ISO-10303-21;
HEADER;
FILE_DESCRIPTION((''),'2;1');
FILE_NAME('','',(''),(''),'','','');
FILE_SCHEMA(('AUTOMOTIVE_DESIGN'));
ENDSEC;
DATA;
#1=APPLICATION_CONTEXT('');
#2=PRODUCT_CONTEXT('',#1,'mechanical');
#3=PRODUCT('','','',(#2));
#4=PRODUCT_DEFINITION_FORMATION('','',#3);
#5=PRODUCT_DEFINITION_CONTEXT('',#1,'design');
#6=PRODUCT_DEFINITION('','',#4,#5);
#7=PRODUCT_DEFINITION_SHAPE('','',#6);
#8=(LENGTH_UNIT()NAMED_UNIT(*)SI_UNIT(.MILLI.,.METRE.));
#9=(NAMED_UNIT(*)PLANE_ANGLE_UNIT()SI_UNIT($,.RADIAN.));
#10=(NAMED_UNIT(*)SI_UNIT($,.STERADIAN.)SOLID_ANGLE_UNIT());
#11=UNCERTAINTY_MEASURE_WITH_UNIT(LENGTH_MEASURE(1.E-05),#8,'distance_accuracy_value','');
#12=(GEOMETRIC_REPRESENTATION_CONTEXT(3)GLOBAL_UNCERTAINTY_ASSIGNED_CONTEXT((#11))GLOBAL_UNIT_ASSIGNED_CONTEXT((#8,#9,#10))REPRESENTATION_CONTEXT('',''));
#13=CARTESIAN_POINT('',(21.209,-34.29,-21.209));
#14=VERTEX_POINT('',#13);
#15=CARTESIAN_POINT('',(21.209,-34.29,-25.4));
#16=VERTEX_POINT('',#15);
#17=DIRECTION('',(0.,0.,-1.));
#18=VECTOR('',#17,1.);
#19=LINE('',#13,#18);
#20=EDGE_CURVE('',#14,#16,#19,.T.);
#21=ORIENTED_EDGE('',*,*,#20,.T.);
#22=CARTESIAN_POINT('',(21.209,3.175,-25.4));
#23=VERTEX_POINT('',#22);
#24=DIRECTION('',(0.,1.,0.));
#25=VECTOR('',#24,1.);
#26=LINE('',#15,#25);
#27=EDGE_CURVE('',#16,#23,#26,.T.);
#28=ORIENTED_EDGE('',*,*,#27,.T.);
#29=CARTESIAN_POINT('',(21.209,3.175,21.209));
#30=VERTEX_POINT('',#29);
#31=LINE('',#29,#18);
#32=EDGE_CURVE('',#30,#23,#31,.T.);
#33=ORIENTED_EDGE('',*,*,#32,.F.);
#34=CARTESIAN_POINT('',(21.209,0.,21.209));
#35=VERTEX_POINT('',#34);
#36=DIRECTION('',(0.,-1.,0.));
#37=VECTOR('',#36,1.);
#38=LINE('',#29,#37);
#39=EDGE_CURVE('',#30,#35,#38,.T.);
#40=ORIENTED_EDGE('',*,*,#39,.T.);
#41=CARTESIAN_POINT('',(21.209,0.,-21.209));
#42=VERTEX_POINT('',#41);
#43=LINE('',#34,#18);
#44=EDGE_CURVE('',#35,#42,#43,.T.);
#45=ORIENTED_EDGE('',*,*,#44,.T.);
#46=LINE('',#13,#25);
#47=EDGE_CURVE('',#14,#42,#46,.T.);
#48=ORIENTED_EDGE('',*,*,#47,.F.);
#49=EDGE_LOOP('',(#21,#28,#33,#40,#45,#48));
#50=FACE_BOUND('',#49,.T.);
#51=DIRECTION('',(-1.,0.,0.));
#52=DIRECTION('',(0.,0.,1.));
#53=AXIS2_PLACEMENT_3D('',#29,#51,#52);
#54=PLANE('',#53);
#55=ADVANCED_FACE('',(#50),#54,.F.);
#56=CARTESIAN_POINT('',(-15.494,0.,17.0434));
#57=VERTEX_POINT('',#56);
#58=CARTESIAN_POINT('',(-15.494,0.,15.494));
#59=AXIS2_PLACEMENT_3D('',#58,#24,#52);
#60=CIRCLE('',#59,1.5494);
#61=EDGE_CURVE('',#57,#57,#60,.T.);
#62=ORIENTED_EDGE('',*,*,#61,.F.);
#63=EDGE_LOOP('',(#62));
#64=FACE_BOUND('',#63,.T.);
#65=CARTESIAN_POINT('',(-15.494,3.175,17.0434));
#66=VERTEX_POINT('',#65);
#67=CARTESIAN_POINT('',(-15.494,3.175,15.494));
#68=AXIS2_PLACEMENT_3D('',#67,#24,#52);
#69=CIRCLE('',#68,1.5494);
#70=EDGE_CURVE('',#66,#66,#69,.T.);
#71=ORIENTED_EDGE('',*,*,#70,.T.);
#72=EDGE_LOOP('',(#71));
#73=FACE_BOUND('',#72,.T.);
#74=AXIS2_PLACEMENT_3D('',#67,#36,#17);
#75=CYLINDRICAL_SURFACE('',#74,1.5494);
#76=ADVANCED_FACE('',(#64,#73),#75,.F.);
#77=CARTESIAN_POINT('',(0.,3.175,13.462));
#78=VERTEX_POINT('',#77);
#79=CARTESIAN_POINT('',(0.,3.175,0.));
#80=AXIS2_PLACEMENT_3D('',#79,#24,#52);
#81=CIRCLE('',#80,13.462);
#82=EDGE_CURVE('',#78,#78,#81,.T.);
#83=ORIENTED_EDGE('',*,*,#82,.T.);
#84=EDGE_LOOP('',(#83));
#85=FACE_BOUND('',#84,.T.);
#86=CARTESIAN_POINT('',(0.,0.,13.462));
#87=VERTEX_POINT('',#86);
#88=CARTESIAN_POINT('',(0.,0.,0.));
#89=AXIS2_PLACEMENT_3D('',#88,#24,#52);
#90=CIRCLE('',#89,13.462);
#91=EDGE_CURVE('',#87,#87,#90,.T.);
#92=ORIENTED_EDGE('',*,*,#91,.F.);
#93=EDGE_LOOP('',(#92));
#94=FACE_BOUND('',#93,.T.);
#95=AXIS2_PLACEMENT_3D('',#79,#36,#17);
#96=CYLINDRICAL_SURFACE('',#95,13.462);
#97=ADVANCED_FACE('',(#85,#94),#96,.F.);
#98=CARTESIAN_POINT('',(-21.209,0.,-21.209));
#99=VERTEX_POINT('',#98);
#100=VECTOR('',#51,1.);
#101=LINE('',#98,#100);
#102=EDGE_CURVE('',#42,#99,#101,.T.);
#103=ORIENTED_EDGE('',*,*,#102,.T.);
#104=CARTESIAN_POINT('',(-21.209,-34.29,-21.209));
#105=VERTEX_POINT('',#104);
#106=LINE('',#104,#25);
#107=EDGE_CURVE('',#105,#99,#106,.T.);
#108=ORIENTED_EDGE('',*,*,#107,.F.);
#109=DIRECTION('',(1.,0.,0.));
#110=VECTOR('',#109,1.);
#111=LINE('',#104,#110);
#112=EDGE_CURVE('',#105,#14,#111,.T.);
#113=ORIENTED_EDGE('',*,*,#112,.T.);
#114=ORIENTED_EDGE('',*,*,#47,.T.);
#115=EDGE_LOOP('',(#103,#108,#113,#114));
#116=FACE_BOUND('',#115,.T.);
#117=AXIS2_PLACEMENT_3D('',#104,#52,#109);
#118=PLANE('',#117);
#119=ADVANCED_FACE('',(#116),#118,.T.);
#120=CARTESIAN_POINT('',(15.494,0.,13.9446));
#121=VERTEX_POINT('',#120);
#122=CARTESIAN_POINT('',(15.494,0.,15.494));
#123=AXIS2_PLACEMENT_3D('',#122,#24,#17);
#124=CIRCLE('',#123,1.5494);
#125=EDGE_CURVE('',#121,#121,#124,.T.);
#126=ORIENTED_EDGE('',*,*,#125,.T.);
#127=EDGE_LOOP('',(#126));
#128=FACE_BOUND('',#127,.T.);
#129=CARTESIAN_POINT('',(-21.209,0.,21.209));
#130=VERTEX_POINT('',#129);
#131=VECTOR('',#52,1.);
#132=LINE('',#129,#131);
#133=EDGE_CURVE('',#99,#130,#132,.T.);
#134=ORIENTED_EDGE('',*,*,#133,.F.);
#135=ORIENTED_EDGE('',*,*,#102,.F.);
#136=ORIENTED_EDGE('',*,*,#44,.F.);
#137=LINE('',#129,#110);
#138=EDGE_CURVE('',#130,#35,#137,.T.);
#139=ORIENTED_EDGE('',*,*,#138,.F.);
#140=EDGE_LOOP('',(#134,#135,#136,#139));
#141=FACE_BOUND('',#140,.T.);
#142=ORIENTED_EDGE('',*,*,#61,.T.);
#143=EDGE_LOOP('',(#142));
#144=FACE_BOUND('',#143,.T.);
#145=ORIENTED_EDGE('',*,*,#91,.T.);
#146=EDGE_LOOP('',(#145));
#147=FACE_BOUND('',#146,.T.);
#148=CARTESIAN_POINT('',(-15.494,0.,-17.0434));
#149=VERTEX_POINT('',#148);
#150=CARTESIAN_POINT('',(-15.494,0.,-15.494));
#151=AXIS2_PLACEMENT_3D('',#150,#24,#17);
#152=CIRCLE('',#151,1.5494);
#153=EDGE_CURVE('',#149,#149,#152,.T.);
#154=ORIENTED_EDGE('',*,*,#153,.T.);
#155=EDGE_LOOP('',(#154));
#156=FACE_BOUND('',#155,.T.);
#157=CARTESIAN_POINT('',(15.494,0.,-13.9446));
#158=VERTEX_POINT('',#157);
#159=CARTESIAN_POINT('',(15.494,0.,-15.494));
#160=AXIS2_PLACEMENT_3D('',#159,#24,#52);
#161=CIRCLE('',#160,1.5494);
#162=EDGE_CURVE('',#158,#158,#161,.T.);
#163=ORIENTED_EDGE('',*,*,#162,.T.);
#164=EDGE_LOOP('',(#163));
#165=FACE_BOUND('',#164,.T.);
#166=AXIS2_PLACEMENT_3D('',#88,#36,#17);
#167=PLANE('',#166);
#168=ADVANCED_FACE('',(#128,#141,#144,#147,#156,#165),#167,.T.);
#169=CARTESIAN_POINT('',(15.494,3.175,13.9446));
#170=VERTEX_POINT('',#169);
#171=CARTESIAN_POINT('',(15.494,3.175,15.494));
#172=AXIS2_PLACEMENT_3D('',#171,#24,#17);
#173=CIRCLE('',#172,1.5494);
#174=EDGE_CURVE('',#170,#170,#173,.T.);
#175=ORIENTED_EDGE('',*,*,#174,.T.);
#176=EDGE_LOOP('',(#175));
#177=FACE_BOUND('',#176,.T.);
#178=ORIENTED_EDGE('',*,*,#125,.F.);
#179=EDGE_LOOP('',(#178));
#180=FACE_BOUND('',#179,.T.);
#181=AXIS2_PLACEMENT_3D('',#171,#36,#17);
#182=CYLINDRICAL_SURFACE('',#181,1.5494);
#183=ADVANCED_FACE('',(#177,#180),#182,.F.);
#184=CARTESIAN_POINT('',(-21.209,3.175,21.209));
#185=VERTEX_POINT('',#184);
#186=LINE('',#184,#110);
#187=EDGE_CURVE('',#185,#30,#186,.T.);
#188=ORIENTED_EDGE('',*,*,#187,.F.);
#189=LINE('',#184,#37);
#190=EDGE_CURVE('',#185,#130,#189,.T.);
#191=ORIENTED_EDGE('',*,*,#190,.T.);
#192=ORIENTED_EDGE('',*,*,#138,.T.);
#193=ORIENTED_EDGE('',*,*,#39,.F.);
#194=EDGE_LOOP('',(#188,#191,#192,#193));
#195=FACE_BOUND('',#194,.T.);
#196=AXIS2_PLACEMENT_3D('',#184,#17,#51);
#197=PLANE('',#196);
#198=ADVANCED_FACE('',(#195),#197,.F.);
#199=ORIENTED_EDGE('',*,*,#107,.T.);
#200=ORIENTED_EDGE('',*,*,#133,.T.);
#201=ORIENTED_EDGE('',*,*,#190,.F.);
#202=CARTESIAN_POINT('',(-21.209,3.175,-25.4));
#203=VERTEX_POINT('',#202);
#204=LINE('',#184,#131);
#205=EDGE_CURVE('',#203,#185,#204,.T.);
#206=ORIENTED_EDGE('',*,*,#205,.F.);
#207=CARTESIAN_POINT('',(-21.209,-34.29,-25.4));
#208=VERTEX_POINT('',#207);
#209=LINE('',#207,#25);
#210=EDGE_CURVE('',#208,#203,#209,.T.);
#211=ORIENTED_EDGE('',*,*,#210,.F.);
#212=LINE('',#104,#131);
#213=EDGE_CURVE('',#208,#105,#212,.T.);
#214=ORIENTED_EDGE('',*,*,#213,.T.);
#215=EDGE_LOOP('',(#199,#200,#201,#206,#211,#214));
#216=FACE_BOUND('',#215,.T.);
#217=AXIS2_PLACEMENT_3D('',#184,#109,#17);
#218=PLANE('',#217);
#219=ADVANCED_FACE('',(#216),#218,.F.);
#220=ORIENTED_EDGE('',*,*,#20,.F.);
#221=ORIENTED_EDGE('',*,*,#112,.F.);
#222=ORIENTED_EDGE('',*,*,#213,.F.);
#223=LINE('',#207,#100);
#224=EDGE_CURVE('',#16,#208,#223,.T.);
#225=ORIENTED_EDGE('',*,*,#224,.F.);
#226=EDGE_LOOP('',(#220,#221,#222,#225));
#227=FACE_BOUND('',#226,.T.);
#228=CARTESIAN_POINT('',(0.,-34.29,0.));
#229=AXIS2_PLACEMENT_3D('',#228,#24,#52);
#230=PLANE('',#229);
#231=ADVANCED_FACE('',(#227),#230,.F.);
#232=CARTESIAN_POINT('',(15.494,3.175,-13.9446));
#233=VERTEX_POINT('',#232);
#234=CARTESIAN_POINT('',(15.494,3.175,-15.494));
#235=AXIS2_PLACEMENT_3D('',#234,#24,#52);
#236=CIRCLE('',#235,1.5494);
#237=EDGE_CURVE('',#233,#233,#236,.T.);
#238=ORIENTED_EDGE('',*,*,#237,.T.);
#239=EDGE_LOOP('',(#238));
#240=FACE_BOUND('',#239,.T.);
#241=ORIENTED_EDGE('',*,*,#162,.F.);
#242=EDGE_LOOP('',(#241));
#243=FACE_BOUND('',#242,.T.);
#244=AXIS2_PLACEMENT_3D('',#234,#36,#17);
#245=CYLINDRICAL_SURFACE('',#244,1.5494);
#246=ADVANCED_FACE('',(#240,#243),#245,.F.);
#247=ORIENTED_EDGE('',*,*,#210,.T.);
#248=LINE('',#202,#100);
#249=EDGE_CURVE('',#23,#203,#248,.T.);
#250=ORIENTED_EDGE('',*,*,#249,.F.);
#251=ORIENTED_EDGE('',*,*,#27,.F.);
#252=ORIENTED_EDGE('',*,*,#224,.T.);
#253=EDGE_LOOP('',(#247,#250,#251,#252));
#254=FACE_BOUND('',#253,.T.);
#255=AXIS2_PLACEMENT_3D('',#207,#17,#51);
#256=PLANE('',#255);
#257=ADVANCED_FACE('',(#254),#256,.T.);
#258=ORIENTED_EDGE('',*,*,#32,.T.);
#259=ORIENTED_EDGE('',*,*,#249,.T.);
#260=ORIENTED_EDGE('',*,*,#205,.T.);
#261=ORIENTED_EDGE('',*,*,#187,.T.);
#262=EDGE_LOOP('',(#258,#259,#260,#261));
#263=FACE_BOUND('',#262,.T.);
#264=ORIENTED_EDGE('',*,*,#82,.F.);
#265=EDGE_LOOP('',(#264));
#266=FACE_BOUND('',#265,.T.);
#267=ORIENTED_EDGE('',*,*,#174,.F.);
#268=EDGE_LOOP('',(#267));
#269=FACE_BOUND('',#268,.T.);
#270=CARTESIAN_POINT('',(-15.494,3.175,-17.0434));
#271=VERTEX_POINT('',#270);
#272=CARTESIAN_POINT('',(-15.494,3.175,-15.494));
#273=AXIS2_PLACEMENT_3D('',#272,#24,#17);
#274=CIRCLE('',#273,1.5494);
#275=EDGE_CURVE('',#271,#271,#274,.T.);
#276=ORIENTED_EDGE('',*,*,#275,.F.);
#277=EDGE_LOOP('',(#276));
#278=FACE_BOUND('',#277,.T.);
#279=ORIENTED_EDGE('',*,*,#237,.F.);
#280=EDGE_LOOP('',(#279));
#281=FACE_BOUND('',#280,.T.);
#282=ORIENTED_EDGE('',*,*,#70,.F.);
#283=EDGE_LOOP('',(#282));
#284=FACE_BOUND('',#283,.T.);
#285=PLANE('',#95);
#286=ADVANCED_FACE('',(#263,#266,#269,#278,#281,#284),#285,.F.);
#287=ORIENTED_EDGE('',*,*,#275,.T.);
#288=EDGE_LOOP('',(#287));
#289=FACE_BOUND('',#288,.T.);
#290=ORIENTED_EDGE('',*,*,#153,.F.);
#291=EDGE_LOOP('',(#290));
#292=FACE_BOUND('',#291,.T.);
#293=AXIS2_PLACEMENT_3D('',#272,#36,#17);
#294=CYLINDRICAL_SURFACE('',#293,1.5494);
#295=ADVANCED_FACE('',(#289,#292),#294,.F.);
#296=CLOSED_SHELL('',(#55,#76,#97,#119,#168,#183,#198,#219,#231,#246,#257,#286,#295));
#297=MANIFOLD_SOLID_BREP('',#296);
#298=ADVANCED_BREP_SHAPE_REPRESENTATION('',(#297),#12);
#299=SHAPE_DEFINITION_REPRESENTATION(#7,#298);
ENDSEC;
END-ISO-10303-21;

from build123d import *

# Parameters (mm, degrees)
SKETCH1_W           = 42.418
SKETCH1_H           = 42.418
SKETCH1_R           = 1.5494
SKETCH1_R_2         = 13.462
BOSS_EXTRUDE1_DEPTH = 3.175
SKETCH3_W           = 42.418
SKETCH3_H           = 4.191
BOSS_EXTRUDE2_DEPTH = 37.465


with BuildPart() as part:
    # Sketch1 → Boss-Extrude1 (new body)
    with BuildSketch(Plane(origin=(0, 0, 0), x_dir=(1, 0, 0), z_dir=(0, 1, 0))):
        Rectangle(SKETCH1_W, SKETCH1_H)
        with Locations((15.494, 15.494)):
            Circle(SKETCH1_R, mode=Mode.SUBTRACT)
        with Locations((-15.494, 15.494)):
            Circle(SKETCH1_R, mode=Mode.SUBTRACT)
        with Locations((15.494, -15.494)):
            Circle(SKETCH1_R, mode=Mode.SUBTRACT)
        with Locations((-15.494, -15.494)):
            Circle(SKETCH1_R, mode=Mode.SUBTRACT)
        Circle(SKETCH1_R_2, mode=Mode.SUBTRACT)
    extrude(amount=BOSS_EXTRUDE1_DEPTH)

    # Sketch3 → Boss-Extrude2 (add)
    with BuildSketch(Plane(origin=(0, 3.175, 0), x_dir=(1, 0, 0), z_dir=(0, 1, 0))):
        with Locations((0, 23.3045)):
            Rectangle(SKETCH3_W, SKETCH3_H)
    extrude(amount=-BOSS_EXTRUDE2_DEPTH)


solid = part.part
